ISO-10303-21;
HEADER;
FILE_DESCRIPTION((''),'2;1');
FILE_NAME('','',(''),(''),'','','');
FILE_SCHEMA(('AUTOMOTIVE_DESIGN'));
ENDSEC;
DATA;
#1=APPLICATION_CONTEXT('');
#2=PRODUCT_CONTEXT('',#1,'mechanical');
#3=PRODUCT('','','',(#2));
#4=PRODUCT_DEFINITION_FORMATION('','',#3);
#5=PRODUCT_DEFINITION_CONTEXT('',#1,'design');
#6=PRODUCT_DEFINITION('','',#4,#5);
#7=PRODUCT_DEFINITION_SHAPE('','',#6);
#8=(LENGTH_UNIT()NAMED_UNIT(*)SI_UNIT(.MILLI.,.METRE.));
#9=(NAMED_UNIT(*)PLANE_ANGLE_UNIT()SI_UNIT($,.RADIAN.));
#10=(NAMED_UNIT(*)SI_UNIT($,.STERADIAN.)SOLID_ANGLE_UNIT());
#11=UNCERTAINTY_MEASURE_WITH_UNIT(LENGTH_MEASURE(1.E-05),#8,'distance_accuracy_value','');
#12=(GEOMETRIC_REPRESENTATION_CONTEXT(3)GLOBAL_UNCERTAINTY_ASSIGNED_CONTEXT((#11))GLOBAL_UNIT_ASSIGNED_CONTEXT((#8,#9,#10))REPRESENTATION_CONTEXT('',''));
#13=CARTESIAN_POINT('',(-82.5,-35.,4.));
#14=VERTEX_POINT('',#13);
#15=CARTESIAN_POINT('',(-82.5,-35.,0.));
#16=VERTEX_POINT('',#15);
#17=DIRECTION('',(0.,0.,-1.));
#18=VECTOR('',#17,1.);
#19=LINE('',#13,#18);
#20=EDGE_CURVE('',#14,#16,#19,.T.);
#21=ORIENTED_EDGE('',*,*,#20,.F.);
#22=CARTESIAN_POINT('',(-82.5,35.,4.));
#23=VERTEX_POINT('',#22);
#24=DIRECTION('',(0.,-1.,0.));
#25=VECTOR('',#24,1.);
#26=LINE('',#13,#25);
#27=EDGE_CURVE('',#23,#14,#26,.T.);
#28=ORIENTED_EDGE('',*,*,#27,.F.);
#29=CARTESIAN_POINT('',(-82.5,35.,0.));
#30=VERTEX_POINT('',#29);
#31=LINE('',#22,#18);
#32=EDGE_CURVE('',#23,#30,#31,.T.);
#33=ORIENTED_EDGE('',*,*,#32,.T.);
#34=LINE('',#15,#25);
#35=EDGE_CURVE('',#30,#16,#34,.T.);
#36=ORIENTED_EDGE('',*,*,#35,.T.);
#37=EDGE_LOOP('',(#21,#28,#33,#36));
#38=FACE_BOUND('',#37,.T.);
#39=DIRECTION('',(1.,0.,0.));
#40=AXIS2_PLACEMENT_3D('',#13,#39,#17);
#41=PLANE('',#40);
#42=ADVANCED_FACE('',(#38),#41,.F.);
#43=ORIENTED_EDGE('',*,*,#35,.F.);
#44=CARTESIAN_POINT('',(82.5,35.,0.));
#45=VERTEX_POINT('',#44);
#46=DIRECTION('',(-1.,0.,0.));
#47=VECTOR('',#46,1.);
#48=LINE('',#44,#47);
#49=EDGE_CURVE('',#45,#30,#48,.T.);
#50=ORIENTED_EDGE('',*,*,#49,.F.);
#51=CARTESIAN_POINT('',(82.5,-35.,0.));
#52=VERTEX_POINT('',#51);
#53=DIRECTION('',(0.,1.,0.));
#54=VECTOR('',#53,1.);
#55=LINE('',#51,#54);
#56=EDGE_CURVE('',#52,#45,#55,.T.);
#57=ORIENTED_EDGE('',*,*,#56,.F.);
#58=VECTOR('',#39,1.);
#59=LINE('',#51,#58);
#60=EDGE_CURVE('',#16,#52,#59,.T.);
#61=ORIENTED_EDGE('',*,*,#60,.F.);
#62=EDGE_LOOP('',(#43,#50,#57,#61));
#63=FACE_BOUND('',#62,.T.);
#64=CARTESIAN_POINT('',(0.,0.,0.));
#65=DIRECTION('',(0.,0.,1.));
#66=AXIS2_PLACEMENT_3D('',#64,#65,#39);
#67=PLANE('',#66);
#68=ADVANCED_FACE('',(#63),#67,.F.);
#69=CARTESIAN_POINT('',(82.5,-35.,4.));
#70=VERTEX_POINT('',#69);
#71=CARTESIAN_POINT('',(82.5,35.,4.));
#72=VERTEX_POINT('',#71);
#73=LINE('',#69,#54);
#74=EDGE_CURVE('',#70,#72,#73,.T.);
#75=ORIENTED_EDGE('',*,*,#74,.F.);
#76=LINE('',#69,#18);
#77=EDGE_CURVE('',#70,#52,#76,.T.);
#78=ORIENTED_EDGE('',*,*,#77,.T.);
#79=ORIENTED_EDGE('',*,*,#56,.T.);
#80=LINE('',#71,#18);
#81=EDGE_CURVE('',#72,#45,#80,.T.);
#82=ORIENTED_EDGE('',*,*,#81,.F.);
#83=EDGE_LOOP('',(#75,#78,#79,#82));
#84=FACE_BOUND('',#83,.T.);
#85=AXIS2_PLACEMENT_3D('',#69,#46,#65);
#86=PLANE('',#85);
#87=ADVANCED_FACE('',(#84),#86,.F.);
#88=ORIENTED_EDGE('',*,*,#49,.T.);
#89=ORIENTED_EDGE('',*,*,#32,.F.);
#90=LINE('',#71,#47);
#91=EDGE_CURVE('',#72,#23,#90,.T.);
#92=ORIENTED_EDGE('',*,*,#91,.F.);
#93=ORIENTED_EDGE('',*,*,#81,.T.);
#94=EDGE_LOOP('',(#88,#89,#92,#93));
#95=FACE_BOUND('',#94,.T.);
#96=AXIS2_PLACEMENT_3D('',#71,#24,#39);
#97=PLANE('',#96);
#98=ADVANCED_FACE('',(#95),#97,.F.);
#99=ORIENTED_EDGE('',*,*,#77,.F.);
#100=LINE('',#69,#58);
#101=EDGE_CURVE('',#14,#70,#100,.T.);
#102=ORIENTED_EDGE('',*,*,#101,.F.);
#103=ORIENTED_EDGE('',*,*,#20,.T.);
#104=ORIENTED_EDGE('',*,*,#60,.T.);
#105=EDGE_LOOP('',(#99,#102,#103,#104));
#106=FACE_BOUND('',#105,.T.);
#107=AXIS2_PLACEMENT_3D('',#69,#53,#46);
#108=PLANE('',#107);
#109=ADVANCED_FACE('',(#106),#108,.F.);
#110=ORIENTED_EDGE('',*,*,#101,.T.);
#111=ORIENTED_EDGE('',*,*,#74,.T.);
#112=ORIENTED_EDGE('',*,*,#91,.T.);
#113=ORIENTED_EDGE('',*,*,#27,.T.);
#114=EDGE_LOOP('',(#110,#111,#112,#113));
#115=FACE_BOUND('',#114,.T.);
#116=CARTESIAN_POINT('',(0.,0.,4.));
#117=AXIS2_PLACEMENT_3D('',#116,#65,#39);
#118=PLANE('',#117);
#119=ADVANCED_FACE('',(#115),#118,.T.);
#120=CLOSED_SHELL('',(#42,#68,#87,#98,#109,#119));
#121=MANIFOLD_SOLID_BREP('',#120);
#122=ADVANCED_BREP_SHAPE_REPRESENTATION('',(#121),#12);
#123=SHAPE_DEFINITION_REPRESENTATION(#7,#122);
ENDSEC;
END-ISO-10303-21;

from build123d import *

# Parameters (mm, degrees)
SKETCH1_W           = 165
SKETCH1_H           = 70
BOSS_EXTRUDE1_DEPTH = 4


with BuildPart() as part:
    # Sketch1 → Boss-Extrude1 (new body)
    with BuildSketch(Plane.XY):
        Rectangle(SKETCH1_W, SKETCH1_H)
    extrude(amount=BOSS_EXTRUDE1_DEPTH)


solid = part.part
